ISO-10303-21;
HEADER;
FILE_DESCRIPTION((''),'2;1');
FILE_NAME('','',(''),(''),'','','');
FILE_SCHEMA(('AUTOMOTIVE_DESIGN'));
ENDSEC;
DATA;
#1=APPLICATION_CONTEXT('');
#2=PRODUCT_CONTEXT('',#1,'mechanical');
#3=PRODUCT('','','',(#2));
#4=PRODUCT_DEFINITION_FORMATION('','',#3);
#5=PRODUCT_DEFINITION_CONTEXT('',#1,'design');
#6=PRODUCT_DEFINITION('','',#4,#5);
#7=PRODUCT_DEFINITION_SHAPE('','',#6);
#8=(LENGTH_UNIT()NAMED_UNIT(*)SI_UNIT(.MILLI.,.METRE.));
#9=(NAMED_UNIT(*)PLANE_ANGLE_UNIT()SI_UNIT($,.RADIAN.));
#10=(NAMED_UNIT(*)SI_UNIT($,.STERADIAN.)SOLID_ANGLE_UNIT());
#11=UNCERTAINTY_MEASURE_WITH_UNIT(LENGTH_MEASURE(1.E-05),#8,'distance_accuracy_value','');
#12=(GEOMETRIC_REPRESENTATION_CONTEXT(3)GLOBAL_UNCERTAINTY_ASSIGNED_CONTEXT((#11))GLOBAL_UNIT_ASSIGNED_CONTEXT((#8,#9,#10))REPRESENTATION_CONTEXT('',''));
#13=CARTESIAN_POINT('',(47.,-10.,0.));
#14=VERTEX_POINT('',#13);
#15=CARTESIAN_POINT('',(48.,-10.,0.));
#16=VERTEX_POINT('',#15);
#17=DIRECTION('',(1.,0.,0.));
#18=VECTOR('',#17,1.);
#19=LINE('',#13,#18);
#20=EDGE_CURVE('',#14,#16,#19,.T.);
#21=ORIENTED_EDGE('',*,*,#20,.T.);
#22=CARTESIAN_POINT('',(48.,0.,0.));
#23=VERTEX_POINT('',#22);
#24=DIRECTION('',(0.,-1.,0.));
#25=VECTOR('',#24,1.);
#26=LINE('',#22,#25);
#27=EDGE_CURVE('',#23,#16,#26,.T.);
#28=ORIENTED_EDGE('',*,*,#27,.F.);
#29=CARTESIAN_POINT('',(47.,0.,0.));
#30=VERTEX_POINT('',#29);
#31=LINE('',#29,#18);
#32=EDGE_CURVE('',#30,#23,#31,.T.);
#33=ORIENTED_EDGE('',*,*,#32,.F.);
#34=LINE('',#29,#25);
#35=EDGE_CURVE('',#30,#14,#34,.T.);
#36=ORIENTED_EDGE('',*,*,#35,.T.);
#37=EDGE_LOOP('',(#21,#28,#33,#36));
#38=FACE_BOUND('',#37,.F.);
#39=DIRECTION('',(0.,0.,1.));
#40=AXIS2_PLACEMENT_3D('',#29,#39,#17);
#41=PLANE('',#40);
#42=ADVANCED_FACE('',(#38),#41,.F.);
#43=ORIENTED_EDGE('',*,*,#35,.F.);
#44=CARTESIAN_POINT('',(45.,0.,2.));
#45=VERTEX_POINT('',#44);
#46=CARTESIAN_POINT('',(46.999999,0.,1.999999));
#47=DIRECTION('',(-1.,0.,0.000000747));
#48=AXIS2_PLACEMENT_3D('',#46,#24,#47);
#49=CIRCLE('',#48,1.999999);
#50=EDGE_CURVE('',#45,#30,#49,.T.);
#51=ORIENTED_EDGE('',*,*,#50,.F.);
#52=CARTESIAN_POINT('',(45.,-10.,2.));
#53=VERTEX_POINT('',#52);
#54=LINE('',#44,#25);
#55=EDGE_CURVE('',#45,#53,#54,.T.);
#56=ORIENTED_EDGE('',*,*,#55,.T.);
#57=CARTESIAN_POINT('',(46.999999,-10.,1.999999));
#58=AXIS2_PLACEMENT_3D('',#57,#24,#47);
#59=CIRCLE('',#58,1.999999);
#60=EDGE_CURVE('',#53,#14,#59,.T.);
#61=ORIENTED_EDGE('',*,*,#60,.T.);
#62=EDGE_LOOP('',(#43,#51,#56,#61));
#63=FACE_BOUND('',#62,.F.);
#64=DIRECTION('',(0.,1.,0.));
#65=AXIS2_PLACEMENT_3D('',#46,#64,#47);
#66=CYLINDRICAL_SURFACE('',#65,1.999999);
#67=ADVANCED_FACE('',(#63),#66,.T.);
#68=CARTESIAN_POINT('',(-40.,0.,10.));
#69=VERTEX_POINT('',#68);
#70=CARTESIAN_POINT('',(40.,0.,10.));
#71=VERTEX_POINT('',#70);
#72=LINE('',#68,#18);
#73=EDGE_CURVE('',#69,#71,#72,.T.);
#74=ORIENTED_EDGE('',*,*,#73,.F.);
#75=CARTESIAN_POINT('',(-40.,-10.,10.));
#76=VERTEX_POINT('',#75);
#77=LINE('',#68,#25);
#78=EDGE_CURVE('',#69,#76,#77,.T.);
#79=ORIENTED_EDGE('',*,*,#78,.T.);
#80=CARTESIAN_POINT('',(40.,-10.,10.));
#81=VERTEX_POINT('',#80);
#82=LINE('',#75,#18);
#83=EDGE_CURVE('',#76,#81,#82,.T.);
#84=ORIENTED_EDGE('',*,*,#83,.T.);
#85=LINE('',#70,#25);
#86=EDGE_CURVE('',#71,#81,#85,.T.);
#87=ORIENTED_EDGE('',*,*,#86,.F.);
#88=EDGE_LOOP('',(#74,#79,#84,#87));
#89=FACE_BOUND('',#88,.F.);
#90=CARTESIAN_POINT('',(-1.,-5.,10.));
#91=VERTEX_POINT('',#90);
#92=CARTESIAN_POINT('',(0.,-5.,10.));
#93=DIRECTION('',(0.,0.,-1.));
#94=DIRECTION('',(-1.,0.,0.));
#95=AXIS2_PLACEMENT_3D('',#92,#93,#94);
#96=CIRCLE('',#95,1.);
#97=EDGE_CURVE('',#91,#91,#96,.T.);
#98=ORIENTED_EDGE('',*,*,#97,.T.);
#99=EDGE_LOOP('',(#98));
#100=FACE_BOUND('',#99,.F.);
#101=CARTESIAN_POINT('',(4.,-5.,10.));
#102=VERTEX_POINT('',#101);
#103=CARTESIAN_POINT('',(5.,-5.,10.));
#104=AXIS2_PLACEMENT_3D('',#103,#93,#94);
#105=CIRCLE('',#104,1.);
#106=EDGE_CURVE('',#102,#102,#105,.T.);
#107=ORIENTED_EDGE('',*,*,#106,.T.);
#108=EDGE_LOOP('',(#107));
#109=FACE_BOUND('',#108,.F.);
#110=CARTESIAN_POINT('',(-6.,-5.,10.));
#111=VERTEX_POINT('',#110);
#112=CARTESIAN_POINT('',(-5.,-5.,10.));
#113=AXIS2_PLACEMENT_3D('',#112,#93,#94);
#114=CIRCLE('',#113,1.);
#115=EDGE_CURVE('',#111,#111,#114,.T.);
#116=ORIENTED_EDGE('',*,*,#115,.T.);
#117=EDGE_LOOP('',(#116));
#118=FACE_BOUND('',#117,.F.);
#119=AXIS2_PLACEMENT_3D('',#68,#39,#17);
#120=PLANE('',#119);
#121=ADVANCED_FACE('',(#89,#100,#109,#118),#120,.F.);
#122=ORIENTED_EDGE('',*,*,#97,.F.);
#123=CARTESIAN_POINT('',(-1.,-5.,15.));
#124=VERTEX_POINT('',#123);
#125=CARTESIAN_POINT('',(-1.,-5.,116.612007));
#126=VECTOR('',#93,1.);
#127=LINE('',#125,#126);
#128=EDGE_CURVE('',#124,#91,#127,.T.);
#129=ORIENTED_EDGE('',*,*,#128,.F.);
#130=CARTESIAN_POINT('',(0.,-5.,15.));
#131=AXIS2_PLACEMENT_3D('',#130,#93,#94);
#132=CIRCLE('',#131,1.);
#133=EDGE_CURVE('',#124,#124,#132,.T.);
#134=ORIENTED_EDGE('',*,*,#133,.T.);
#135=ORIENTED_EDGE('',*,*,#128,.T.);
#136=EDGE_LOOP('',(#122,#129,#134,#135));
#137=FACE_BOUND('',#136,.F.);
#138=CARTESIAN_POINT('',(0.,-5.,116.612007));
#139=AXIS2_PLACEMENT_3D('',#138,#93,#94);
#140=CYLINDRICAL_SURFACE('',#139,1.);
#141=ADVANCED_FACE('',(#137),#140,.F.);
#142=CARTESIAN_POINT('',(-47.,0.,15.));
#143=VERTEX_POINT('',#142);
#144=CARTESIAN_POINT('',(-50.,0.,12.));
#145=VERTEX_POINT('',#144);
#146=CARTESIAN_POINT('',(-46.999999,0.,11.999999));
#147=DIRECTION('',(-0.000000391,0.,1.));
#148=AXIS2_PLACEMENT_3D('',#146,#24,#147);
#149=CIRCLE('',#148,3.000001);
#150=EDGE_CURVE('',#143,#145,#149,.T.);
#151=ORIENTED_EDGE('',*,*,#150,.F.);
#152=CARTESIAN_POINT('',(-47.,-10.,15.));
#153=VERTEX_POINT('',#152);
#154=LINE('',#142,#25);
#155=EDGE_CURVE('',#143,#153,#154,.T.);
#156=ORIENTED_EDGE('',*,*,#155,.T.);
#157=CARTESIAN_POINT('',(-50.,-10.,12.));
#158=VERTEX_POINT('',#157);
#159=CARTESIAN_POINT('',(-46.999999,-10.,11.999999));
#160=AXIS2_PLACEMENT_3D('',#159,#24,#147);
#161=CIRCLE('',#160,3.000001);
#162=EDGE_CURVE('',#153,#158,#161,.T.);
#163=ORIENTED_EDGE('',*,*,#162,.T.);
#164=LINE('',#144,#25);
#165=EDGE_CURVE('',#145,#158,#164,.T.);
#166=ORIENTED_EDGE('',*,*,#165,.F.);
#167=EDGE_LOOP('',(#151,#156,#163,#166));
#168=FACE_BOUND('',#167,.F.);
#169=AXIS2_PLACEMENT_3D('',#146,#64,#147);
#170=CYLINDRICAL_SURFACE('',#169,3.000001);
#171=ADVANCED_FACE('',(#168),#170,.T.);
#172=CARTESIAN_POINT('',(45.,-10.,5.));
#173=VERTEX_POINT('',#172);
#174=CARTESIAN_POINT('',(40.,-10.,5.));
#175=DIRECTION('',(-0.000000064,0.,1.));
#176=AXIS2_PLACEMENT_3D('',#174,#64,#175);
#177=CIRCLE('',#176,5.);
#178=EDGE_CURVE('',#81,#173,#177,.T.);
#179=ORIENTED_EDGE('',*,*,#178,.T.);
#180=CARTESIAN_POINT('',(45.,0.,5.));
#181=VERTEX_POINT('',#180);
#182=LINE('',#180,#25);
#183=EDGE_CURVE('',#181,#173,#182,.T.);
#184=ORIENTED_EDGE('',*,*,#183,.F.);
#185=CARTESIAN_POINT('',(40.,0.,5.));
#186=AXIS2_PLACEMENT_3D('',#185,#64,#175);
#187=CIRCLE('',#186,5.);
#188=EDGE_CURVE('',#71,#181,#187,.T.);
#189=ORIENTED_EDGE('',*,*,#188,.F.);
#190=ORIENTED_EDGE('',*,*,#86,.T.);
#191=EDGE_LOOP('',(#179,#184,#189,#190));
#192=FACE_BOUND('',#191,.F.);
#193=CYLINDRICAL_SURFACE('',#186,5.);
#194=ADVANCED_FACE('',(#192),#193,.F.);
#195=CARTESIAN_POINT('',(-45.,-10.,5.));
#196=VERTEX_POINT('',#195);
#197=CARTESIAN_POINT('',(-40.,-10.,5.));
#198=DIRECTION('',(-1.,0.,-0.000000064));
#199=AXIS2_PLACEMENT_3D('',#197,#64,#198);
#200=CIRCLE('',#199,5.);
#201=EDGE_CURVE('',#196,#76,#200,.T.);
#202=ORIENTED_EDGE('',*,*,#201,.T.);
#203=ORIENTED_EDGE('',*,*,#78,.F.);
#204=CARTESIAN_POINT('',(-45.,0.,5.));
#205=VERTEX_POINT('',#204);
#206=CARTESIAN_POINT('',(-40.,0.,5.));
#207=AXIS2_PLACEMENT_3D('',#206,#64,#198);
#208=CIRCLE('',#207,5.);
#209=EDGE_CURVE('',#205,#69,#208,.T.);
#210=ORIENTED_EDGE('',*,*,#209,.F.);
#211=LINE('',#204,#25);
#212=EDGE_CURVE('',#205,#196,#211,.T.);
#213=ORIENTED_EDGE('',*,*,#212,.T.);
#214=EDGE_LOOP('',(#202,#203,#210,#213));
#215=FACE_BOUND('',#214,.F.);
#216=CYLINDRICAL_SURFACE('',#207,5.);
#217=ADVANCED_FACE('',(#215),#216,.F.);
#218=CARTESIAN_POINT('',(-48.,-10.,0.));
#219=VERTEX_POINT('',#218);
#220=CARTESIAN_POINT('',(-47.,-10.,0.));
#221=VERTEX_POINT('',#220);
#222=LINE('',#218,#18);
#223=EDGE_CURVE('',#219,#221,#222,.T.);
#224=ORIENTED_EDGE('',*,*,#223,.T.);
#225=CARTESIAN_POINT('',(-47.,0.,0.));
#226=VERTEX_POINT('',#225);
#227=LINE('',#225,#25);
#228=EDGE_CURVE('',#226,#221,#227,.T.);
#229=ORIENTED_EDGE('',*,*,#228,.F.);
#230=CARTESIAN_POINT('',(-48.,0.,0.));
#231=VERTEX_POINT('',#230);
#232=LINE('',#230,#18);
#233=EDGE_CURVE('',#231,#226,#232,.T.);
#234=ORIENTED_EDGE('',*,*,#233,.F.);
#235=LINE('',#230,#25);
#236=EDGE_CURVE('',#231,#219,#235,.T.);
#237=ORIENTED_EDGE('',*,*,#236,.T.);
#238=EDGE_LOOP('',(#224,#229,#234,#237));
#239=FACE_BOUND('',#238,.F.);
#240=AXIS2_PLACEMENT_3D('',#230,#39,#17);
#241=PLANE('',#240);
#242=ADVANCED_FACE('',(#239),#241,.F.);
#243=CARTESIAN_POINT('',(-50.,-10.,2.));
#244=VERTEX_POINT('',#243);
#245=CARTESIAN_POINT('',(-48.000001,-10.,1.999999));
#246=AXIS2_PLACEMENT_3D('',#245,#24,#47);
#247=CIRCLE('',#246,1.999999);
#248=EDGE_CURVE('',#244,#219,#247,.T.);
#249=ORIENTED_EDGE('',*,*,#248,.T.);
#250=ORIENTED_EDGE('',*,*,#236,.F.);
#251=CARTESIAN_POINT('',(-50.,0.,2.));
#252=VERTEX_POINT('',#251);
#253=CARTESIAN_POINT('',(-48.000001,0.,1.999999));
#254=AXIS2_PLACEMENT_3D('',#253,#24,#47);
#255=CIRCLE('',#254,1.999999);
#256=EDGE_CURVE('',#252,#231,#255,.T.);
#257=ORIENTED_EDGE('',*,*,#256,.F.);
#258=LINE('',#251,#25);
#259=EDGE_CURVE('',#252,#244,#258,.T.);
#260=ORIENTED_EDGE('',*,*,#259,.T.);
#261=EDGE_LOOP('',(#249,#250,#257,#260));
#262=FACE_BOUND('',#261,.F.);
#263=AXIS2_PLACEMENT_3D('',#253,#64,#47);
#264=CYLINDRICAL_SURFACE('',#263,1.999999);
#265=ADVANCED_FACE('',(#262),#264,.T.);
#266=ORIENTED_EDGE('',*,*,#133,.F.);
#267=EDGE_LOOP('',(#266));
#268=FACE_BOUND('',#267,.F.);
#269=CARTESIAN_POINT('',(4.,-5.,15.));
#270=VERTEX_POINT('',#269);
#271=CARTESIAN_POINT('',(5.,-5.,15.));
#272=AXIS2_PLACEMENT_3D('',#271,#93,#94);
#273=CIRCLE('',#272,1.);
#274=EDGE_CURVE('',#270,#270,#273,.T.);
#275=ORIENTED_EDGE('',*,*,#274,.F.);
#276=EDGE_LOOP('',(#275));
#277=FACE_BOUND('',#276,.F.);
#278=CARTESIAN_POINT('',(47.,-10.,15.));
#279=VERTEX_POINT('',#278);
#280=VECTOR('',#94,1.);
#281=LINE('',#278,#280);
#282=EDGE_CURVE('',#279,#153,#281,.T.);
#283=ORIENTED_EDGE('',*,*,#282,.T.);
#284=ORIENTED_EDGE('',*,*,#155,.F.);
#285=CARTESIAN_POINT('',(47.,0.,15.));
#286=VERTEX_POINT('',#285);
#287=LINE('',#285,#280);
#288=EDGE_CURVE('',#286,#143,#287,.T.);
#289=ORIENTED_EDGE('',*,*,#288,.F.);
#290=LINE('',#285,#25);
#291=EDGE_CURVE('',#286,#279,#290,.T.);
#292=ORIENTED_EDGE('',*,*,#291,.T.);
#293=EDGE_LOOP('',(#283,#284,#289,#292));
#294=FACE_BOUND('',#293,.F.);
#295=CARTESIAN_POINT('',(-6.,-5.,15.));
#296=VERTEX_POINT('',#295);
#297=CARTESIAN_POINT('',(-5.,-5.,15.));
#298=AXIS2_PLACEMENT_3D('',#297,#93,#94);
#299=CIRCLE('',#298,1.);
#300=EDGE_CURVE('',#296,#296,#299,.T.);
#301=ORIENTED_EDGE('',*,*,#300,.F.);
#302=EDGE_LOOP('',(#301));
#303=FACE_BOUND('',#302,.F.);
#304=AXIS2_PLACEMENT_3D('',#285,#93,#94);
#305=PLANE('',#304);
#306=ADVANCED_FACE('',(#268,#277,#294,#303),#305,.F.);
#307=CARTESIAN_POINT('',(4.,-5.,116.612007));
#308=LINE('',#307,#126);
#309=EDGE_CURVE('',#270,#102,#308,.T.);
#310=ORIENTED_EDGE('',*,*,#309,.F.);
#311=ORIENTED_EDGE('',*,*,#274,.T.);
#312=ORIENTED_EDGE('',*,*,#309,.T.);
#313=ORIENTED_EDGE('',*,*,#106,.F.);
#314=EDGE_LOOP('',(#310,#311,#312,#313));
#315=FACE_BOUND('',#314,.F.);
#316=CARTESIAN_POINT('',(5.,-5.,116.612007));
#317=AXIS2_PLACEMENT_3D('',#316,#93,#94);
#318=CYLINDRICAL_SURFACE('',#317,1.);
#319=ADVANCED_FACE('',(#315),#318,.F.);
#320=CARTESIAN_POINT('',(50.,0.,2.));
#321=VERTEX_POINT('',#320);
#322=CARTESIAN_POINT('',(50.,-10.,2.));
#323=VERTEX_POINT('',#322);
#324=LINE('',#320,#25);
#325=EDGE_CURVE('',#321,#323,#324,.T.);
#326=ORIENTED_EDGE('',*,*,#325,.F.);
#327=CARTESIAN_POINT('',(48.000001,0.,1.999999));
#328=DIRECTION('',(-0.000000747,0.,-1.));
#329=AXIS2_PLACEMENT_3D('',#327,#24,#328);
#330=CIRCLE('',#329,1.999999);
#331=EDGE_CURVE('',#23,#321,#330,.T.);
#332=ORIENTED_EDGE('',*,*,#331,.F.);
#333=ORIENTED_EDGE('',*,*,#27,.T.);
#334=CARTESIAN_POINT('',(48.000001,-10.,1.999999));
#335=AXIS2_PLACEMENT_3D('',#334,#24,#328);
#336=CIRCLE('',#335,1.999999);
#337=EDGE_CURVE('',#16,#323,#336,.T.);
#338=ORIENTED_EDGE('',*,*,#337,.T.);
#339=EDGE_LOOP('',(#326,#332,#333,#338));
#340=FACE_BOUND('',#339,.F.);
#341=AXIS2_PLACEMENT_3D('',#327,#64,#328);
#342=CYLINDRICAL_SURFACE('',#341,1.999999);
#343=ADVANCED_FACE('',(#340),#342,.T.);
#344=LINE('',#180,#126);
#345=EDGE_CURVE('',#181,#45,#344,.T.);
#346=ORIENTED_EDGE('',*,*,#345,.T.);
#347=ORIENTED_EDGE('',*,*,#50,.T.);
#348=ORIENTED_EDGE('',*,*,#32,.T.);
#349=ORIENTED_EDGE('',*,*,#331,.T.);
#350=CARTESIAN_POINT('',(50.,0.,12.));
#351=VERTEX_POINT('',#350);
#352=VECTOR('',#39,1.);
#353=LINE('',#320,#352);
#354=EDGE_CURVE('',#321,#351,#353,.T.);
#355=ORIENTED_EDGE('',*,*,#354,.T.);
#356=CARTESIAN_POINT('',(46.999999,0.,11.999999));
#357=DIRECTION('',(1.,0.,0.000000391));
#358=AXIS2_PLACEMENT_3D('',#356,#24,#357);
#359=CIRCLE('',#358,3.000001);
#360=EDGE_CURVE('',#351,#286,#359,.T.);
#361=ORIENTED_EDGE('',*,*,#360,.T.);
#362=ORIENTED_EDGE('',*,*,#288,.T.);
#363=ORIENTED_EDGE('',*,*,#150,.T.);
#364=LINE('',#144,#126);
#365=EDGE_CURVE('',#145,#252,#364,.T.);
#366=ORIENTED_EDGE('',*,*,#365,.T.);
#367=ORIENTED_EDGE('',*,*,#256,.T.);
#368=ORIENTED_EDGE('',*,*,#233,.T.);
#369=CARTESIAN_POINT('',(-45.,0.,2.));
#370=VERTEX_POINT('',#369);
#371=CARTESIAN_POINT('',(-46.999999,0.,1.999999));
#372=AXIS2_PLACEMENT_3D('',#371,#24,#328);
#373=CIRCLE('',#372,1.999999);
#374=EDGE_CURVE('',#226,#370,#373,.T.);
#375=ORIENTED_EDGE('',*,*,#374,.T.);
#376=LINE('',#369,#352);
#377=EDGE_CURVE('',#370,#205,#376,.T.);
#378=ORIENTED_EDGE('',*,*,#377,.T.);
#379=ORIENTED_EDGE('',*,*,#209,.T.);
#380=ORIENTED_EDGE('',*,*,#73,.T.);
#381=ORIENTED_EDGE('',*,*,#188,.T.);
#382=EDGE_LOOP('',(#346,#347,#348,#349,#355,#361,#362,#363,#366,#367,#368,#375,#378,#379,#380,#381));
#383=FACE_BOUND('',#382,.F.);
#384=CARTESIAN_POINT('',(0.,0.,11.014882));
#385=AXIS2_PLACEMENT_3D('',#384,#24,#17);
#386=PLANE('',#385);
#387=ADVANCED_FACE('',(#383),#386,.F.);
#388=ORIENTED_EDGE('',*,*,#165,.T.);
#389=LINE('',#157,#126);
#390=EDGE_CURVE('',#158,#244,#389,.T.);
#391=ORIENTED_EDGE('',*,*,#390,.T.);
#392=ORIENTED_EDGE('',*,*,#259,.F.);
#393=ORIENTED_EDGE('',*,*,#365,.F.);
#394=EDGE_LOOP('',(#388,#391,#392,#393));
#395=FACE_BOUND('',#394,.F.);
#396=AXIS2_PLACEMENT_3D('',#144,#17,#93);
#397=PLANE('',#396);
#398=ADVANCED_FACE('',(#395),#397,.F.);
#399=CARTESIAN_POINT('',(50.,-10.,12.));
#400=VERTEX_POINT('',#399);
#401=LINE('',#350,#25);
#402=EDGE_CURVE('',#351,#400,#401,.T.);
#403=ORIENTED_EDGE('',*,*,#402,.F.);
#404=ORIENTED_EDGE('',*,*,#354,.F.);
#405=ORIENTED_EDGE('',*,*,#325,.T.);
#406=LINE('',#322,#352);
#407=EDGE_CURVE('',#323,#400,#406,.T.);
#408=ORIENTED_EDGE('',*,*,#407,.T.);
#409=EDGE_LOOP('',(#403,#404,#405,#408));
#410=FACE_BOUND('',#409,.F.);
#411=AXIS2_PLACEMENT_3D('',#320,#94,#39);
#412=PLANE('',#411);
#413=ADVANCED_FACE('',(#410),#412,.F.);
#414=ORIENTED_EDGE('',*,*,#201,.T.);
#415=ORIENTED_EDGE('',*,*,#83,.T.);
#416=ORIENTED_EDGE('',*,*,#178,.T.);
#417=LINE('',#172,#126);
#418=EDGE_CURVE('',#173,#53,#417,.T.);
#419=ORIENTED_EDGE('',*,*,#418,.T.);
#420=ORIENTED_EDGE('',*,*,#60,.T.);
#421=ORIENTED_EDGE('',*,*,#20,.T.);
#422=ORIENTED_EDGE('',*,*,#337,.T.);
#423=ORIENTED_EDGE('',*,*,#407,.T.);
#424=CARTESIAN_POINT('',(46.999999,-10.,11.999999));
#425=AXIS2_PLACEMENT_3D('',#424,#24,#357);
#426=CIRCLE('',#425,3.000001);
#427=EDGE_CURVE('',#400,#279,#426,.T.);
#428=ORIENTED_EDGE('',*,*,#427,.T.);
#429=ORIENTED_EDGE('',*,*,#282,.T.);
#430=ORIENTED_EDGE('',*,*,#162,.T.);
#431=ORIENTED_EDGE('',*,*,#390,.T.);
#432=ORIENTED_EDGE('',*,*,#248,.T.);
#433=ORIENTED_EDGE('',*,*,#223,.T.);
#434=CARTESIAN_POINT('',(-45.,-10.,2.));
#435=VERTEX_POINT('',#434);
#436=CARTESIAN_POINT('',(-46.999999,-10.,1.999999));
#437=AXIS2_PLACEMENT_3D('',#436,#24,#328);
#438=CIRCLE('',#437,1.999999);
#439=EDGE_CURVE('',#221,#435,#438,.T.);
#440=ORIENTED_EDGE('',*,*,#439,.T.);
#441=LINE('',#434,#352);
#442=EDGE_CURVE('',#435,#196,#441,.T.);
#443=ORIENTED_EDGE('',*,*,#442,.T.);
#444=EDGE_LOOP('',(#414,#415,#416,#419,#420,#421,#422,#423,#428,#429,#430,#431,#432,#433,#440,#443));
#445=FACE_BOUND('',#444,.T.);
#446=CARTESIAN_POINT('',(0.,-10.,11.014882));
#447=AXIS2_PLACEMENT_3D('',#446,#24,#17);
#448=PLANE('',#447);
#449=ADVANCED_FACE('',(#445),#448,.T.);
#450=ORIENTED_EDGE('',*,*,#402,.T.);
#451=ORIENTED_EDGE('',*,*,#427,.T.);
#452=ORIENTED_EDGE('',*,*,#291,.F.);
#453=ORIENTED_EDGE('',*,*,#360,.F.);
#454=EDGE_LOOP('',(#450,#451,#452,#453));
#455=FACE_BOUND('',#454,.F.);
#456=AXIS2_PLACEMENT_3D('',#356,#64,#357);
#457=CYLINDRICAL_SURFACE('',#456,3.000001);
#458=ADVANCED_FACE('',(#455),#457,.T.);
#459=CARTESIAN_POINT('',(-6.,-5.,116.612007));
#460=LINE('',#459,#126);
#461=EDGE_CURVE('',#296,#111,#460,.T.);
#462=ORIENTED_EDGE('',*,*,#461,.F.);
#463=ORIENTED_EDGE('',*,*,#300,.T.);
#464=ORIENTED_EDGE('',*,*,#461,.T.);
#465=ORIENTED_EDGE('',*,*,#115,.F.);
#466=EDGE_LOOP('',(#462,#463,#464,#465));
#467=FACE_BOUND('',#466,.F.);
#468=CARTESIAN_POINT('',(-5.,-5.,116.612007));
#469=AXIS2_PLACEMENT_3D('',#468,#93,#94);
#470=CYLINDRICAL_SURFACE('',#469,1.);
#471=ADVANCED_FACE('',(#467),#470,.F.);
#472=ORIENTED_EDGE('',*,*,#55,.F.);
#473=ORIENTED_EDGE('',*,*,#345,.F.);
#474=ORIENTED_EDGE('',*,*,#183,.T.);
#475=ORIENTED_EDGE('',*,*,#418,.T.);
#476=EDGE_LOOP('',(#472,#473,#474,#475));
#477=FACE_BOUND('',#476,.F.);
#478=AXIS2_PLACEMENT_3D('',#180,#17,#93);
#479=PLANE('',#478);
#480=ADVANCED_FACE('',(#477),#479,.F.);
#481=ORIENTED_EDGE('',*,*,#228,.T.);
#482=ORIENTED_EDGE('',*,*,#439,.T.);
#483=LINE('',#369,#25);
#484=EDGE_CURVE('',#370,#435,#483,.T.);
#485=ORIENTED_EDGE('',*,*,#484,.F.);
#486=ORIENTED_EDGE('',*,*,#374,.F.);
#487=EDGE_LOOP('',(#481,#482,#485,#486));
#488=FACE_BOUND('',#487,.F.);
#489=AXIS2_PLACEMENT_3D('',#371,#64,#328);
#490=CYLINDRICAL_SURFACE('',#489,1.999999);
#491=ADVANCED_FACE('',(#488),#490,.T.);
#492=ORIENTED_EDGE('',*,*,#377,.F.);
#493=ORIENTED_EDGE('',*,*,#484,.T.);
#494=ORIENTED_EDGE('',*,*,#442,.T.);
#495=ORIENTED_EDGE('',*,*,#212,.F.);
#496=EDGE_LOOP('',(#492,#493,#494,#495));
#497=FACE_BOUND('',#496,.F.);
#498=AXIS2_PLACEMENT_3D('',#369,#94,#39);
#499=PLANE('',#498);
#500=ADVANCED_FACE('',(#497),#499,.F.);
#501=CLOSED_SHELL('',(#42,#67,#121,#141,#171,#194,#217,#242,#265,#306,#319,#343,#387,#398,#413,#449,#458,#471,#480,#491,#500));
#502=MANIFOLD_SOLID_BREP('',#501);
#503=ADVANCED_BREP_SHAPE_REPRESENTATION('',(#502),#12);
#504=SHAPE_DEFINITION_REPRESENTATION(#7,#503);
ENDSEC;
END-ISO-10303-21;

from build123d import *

# Parameters (mm, degrees)
F1_DEPTH = 10
F3_D     = 2


with BuildPart() as f1:
    # F0 (on Front) → F1 (new body)
    with BuildSketch(Plane.XZ):
        with BuildLine():
            ThreePointArc((-50, 2), (-49.414214, 0.585786), (-48, 0))
            Line((-48, 0), (-47, 0))
            ThreePointArc((-47, 0), (-45.585786, 0.585786), (-45, 2))
            Line((-45, 2), (-45, 5))
            ThreePointArc((-45, 5), (-43.535534, 8.535534), (-40, 10))
            Line((-40, 10), (0, 10))
            Line((0, 10), (40, 10))
            ThreePointArc((40, 10), (43.535534, 8.535534), (45, 5))
            Line((45, 5), (45, 2))
            ThreePointArc((45, 2), (45.585786, 0.585786), (47, 0))
            Line((47, 0), (48, 0))
            ThreePointArc((48, 0), (49.414214, 0.585786), (50, 2))
            Line((50, 2), (50, 12))
            ThreePointArc((50, 12), (49.12132, 14.12132), (47, 15))
            Line((47, 15), (0, 15))
            Line((0, 15), (-47, 15))
            ThreePointArc((-47, 15), (-49.12132, 14.12132), (-50, 12))
            Line((-50, 12), (-50, 2))
        make_face()
    extrude(amount=F1_DEPTH)

    # F3 (through all)
    with Locations(Plane.XY.offset(15)):
        with Locations((-5, -5), (5, -5), (0, -5)):
            Hole(F3_D / 2)


solid = f1.part
